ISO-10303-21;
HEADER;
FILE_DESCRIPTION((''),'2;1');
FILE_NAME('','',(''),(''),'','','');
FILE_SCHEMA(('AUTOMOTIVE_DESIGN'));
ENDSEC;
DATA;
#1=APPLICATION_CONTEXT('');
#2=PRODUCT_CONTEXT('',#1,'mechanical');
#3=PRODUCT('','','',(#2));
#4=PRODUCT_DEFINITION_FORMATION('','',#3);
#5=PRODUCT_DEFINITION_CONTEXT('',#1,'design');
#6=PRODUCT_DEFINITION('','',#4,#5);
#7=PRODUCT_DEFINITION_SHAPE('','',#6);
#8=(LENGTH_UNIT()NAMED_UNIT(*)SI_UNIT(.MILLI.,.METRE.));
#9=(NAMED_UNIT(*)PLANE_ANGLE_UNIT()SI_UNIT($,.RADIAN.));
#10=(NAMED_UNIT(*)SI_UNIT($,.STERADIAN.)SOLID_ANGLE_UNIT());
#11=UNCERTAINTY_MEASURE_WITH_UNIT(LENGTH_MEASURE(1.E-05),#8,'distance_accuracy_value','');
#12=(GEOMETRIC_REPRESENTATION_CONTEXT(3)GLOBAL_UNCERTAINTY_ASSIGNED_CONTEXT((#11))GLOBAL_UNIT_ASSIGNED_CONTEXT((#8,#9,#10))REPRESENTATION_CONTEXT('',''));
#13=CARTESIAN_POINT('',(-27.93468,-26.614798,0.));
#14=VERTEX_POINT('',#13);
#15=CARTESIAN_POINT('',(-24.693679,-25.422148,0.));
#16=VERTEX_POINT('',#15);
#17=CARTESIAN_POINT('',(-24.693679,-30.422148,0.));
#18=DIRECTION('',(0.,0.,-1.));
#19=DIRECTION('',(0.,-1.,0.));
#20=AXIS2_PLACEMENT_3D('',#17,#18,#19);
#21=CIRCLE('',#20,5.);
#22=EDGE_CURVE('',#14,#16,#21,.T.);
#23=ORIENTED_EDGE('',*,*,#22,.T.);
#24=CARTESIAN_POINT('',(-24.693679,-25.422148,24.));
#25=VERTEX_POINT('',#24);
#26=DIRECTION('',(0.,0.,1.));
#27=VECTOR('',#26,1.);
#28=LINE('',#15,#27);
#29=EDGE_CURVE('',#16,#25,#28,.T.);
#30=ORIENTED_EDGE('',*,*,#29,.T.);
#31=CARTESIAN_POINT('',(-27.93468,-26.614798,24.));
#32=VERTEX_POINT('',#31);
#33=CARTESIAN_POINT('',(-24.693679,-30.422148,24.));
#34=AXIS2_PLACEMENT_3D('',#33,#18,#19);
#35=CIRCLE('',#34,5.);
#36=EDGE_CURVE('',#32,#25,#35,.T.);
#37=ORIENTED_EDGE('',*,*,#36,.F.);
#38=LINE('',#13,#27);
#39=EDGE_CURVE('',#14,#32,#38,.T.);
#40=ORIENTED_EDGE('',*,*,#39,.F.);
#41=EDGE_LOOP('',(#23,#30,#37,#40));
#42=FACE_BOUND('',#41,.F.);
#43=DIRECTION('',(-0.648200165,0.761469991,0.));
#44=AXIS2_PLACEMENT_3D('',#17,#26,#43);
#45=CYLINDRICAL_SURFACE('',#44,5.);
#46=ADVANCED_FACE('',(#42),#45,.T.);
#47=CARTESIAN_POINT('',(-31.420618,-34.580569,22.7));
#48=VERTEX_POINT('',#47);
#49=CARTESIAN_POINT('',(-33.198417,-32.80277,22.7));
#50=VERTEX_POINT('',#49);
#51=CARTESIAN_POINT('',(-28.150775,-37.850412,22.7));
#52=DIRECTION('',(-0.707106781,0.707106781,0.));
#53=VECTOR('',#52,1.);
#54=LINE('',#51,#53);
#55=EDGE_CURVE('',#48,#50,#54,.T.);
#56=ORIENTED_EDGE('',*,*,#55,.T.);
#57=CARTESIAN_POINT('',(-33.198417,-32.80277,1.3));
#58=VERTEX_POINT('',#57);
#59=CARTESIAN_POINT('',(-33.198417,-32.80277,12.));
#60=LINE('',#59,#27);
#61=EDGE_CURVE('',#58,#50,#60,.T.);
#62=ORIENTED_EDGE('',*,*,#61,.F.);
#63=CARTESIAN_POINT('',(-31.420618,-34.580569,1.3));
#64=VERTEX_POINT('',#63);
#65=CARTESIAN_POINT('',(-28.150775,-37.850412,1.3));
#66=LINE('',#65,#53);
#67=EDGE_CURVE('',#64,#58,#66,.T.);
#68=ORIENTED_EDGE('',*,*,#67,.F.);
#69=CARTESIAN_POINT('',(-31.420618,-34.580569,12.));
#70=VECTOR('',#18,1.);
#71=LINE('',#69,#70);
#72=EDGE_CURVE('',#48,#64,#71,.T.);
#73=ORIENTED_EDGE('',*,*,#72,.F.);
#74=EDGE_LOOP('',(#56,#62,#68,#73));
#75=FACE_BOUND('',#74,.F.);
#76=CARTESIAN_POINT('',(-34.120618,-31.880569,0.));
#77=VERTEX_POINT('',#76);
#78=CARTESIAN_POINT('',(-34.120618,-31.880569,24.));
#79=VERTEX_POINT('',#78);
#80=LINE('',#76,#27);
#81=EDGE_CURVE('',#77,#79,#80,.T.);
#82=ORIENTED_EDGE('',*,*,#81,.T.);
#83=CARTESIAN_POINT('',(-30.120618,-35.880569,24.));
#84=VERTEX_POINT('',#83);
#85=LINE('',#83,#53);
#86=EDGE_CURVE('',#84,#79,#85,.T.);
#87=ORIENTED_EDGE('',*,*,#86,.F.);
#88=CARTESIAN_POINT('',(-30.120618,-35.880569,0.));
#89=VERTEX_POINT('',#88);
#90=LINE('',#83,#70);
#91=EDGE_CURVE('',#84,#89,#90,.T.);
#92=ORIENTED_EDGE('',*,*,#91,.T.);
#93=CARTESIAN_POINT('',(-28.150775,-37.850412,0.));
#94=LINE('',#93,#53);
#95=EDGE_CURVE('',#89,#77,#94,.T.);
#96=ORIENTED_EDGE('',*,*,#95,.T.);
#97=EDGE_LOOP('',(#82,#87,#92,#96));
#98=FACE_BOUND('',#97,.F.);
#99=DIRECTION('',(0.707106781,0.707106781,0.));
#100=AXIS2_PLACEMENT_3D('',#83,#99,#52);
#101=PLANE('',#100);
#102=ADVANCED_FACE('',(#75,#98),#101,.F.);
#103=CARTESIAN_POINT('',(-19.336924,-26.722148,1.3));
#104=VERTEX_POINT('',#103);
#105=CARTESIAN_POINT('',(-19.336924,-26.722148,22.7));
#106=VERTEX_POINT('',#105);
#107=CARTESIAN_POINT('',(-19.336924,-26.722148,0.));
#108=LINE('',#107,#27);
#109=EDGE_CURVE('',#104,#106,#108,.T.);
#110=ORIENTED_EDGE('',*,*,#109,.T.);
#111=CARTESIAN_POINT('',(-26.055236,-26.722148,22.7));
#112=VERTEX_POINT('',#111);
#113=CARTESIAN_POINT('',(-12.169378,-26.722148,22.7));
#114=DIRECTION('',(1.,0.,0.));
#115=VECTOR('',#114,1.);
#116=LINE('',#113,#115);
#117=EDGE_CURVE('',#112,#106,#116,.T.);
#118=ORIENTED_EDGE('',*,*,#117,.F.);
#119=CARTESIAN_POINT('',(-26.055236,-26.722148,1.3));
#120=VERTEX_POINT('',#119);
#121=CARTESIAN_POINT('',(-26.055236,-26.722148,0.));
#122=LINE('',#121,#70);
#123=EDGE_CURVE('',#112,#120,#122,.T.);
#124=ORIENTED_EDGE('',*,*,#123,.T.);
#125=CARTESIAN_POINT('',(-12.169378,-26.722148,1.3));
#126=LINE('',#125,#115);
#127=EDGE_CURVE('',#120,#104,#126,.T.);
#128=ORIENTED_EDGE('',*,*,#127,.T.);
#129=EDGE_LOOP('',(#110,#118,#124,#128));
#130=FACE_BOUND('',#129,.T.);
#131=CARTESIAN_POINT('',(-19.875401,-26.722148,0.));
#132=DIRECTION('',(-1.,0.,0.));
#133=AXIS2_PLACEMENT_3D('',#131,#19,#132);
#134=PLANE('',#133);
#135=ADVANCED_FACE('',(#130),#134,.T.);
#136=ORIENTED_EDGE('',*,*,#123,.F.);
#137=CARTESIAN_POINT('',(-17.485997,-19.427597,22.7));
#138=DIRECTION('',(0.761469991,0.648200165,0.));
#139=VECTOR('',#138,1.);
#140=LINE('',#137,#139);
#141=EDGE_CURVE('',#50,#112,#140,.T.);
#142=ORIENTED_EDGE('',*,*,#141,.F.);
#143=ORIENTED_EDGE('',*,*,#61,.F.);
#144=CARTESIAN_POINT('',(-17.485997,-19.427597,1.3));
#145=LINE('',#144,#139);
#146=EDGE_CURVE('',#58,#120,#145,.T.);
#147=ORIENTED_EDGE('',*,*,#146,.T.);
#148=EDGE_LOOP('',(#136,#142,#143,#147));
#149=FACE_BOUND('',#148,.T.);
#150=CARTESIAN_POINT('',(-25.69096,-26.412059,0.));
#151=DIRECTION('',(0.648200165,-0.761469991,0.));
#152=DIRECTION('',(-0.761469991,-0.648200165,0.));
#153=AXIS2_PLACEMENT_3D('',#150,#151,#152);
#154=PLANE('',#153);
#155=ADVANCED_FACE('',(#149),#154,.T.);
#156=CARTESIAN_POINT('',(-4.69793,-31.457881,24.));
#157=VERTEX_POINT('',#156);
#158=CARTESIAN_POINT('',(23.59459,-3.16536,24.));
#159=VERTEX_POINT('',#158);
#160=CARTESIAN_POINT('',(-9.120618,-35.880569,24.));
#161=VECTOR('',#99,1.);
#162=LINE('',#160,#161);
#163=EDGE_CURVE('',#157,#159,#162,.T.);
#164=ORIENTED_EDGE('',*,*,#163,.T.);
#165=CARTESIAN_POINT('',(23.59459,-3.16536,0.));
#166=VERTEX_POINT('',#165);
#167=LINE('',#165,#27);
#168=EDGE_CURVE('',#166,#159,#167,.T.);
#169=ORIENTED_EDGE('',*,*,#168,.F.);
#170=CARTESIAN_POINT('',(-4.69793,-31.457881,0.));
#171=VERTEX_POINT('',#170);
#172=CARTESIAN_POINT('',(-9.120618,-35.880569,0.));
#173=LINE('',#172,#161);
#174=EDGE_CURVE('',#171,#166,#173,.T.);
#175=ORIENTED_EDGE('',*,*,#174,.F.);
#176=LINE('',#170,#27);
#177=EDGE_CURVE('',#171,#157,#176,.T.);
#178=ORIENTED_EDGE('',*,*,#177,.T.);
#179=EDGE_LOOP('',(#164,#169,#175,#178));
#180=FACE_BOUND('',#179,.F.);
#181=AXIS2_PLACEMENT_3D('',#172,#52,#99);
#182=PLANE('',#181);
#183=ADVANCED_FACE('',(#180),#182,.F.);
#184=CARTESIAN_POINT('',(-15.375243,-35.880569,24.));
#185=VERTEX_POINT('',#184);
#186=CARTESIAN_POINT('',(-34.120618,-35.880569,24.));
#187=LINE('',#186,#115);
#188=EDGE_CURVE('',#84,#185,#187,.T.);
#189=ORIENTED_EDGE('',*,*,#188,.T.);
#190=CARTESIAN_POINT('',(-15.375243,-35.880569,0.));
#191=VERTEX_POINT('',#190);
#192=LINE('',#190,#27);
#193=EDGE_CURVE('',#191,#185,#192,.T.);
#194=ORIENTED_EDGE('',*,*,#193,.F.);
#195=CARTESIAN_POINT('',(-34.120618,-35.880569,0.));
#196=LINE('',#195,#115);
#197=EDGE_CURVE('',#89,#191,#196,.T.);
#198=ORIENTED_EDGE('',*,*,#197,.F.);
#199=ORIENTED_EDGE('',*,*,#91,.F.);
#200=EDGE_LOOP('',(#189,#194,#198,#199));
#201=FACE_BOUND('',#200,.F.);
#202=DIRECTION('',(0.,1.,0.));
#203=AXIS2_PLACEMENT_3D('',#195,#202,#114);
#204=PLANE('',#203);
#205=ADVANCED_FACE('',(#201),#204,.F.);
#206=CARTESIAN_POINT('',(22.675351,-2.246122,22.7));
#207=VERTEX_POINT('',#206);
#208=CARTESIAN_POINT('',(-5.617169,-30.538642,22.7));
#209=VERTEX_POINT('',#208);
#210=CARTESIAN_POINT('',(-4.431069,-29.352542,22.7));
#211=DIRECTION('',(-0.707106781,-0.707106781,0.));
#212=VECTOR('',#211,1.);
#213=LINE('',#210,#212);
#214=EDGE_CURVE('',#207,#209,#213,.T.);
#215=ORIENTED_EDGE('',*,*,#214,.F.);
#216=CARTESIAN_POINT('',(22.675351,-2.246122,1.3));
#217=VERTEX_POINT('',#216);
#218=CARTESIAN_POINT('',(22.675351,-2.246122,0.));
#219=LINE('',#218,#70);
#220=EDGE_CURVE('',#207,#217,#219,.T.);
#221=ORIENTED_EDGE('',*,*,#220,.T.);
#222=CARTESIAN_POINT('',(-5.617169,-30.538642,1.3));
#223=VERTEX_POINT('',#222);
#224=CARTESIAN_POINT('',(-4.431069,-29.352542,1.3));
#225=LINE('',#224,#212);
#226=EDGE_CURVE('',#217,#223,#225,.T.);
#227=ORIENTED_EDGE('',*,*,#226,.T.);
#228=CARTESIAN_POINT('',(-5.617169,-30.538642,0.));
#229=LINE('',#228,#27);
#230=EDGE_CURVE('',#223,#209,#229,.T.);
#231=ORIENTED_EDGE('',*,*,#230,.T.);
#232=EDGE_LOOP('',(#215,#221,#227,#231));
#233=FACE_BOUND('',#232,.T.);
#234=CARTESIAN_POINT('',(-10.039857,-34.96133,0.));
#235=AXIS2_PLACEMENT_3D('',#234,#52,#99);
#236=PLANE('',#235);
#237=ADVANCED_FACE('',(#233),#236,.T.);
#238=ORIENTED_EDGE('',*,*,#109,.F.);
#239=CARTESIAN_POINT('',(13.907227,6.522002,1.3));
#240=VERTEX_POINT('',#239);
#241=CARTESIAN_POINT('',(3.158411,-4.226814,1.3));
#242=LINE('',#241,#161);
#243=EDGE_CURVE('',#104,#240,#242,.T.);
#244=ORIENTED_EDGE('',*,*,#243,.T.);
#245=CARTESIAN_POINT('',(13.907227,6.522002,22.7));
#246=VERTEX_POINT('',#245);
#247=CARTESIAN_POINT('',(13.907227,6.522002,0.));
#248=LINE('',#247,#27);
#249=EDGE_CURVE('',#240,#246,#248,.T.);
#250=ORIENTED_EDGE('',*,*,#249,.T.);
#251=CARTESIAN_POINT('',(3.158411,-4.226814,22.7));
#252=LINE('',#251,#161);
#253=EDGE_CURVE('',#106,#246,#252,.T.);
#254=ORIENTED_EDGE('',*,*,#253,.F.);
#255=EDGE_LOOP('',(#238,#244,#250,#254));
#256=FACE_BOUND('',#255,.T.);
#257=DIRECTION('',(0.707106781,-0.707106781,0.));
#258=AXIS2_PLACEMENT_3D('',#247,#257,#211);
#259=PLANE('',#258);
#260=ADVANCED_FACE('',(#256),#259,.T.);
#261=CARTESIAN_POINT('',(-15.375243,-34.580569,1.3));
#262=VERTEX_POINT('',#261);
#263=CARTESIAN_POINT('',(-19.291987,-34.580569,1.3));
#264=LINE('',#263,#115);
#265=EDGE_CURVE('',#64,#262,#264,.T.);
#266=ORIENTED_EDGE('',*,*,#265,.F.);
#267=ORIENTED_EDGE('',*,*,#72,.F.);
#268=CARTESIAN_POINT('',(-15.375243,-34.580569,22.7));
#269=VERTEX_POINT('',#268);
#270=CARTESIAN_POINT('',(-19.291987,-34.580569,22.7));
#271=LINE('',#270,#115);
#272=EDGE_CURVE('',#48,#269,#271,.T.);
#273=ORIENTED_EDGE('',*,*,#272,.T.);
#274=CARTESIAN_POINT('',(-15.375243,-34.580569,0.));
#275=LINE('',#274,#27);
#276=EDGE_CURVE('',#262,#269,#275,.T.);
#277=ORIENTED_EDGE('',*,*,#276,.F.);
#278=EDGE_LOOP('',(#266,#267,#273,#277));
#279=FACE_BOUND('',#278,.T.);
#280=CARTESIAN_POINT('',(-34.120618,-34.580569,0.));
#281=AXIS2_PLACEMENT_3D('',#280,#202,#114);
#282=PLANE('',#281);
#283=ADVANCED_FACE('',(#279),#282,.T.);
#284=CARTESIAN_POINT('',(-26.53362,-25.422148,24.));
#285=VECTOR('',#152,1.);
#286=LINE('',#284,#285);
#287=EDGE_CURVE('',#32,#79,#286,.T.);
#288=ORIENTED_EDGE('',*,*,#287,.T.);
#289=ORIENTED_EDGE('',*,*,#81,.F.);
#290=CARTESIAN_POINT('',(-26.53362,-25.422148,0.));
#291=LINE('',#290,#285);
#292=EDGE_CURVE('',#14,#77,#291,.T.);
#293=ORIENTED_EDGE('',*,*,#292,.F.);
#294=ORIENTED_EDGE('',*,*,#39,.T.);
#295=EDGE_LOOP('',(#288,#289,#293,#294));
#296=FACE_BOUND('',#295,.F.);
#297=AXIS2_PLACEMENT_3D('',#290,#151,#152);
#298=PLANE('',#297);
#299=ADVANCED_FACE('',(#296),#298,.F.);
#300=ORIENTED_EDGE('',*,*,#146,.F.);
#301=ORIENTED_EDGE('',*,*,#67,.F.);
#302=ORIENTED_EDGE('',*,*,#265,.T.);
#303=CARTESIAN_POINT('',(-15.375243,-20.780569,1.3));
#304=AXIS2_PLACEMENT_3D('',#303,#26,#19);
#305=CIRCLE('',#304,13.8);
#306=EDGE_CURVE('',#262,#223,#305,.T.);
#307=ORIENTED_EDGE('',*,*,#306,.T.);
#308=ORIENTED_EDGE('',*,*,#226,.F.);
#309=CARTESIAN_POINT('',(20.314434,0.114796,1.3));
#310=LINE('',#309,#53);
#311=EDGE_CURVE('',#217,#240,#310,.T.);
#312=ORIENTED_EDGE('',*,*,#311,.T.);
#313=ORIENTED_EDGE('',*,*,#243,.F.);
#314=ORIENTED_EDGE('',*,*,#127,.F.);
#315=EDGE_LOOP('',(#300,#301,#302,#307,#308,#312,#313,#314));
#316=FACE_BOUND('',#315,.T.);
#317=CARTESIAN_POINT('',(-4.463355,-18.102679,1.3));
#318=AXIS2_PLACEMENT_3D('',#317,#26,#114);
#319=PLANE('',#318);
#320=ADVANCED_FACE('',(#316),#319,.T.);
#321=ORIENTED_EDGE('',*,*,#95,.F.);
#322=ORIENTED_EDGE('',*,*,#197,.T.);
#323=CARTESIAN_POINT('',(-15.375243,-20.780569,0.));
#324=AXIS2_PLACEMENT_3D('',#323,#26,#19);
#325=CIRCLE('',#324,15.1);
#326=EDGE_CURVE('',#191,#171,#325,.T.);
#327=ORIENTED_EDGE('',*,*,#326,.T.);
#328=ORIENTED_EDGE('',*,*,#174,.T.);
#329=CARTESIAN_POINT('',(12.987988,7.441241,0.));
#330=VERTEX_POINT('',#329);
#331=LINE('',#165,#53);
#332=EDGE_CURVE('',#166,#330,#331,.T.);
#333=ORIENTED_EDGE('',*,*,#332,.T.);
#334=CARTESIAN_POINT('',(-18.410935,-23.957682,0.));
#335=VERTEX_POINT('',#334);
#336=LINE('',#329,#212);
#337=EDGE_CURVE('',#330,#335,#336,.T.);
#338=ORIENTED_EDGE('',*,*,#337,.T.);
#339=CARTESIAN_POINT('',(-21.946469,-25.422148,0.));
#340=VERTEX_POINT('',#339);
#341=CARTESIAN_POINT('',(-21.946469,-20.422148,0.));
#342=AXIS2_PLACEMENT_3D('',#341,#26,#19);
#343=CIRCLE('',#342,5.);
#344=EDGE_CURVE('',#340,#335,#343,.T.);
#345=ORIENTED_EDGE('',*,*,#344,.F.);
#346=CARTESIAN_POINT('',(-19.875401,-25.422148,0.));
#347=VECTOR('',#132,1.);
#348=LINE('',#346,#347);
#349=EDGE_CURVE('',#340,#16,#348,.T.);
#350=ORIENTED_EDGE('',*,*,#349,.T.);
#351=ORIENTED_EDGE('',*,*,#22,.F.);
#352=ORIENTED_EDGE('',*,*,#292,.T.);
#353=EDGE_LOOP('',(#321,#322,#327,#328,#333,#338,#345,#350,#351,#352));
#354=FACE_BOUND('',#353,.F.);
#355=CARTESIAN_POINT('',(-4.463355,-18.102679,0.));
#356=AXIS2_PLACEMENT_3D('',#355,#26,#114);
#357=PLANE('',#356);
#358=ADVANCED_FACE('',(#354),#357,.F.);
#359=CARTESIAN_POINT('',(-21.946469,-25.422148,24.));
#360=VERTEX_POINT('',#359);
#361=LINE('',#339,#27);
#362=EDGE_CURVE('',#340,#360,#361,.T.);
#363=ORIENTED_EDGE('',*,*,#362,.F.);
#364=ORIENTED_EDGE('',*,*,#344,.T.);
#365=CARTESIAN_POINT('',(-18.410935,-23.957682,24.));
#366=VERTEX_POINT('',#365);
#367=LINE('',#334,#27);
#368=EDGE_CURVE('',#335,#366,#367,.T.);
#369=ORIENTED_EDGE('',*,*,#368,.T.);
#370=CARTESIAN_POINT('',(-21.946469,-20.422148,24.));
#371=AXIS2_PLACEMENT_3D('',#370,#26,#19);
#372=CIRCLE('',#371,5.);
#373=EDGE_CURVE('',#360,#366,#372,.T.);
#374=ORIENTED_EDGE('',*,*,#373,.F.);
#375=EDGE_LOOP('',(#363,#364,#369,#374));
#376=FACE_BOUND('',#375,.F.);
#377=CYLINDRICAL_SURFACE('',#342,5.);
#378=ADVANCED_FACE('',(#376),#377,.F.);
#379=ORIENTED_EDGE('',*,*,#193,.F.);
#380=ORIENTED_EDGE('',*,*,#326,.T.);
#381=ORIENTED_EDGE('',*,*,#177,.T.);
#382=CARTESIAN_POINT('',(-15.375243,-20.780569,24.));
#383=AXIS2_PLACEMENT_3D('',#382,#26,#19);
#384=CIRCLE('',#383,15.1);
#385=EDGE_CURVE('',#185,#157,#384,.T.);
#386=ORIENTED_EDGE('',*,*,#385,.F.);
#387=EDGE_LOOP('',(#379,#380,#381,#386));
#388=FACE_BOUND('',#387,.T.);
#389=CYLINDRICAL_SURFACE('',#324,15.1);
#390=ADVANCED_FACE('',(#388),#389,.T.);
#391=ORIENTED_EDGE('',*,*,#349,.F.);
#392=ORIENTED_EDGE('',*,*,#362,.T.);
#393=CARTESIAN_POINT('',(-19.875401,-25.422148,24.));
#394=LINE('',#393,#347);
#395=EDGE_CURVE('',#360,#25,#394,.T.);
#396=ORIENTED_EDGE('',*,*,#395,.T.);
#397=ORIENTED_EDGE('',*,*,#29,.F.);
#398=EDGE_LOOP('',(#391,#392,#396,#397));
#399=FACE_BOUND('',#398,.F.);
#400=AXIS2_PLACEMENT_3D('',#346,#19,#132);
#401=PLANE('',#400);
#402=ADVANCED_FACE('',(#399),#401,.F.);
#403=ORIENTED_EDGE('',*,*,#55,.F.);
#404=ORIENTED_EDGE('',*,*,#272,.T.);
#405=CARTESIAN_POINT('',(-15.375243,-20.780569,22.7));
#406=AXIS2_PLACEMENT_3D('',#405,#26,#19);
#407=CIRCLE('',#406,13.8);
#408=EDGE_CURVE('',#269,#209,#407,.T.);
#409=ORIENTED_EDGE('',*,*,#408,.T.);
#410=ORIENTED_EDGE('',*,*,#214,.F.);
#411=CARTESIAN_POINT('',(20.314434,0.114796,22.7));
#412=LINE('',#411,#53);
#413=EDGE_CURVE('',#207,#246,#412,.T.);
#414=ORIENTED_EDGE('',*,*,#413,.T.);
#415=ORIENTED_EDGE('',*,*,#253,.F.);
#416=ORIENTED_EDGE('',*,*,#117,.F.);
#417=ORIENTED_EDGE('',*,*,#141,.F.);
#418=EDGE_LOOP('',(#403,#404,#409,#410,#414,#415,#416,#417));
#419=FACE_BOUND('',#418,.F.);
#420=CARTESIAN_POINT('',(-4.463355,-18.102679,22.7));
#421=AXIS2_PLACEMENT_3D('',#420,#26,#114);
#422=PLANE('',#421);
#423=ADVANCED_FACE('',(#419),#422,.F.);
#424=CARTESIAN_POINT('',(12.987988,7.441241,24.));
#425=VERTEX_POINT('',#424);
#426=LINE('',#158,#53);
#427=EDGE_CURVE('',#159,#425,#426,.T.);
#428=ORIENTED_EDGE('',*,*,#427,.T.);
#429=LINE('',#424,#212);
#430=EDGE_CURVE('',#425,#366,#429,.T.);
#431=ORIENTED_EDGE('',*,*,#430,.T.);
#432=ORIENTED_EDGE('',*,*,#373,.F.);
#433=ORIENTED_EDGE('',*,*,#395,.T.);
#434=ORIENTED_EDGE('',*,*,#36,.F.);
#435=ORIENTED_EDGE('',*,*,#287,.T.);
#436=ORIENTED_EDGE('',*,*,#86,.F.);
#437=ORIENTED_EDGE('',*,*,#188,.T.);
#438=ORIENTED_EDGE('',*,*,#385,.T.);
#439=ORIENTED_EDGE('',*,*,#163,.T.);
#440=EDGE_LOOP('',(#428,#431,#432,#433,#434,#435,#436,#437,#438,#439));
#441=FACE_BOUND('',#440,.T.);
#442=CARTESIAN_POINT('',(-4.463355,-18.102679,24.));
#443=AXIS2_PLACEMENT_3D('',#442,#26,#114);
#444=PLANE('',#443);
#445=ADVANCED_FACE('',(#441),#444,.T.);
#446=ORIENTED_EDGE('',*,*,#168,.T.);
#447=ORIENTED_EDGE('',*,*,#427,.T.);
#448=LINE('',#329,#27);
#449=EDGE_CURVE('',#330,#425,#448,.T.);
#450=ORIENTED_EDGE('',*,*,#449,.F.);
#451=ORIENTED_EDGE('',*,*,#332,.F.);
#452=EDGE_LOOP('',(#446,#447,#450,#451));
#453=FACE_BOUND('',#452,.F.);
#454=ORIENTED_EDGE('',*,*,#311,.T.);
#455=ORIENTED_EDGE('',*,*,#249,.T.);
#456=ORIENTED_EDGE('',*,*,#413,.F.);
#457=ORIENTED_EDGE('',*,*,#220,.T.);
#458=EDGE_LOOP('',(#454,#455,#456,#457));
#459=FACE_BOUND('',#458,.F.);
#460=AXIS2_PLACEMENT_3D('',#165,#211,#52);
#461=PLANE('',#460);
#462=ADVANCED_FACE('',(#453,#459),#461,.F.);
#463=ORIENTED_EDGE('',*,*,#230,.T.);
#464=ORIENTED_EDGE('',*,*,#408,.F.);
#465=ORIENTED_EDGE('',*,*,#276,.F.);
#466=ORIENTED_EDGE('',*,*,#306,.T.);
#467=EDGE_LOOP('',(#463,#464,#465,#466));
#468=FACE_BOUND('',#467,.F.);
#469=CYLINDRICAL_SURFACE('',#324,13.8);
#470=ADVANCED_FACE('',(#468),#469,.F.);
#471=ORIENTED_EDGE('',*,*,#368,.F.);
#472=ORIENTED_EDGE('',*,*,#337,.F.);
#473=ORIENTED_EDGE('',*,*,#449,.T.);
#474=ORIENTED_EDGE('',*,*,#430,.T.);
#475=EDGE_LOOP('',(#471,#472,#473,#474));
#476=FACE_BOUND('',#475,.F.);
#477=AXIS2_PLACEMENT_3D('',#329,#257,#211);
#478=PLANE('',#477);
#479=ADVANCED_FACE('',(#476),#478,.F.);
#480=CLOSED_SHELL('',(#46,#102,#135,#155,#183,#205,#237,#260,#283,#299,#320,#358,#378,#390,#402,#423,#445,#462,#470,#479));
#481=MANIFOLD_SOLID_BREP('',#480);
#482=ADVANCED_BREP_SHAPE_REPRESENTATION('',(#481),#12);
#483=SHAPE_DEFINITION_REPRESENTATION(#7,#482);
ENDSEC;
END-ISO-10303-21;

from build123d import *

# Parameters (mm, degrees)
F1_DEPTH = 24
F2_R     = 15.1
F3_T     = -1.3
F5_DEPTH = 24.001
F6_R     = 5


with BuildPart() as f1:
    # F0 (on Top) → F1 (new body)
    with BuildSketch(Plane.XY):
        Polygon((-26.533620432, -25.4221484065), (-34.1206180562, -31.880568529), (-34.1206180562, -35.880568529), (-9.1206180562, -35.880568529), (23.5945900374, -3.1653604354), (12.9879883196, 7.4412412824), (-19.8754013693, -25.4221484065), align=None)
    extrude(amount=F1_DEPTH)

    # F2
    f2_edges = [f1.edges().sort_by_distance(p)[0] for p in [
        (-9.120618, -35.880569, 12),
    ]]
    fillet(f2_edges, radius=F2_R)

    # F3
    f3_openings = [f1.faces().sort_by_distance(p)[0] for p in [
        (-34.120618, -33.880569, 12),
        (18.291289, 2.13794, 12),
    ]]
    offset(amount=F3_T, openings=f3_openings, kind=Kind.INTERSECTION)

    # F4 (on face) → F5 (cut, through all)
    with BuildSketch(Plane.XY.offset(24)):
        Polygon((-30.1206180562, -35.880568529), (-34.1206180562, -31.880568529), (-34.1206180562, -35.880568529), align=None)
    extrude(amount=-F5_DEPTH, mode=Mode.SUBTRACT)

    # F6
    f6_edges = [f1.edges().sort_by_distance(p)[0] for p in [
        (-26.53362, -25.422148, 12),
        (-19.875401, -25.422148, 12),
    ]]
    fillet(f6_edges, radius=F6_R)


solid = f1.part
